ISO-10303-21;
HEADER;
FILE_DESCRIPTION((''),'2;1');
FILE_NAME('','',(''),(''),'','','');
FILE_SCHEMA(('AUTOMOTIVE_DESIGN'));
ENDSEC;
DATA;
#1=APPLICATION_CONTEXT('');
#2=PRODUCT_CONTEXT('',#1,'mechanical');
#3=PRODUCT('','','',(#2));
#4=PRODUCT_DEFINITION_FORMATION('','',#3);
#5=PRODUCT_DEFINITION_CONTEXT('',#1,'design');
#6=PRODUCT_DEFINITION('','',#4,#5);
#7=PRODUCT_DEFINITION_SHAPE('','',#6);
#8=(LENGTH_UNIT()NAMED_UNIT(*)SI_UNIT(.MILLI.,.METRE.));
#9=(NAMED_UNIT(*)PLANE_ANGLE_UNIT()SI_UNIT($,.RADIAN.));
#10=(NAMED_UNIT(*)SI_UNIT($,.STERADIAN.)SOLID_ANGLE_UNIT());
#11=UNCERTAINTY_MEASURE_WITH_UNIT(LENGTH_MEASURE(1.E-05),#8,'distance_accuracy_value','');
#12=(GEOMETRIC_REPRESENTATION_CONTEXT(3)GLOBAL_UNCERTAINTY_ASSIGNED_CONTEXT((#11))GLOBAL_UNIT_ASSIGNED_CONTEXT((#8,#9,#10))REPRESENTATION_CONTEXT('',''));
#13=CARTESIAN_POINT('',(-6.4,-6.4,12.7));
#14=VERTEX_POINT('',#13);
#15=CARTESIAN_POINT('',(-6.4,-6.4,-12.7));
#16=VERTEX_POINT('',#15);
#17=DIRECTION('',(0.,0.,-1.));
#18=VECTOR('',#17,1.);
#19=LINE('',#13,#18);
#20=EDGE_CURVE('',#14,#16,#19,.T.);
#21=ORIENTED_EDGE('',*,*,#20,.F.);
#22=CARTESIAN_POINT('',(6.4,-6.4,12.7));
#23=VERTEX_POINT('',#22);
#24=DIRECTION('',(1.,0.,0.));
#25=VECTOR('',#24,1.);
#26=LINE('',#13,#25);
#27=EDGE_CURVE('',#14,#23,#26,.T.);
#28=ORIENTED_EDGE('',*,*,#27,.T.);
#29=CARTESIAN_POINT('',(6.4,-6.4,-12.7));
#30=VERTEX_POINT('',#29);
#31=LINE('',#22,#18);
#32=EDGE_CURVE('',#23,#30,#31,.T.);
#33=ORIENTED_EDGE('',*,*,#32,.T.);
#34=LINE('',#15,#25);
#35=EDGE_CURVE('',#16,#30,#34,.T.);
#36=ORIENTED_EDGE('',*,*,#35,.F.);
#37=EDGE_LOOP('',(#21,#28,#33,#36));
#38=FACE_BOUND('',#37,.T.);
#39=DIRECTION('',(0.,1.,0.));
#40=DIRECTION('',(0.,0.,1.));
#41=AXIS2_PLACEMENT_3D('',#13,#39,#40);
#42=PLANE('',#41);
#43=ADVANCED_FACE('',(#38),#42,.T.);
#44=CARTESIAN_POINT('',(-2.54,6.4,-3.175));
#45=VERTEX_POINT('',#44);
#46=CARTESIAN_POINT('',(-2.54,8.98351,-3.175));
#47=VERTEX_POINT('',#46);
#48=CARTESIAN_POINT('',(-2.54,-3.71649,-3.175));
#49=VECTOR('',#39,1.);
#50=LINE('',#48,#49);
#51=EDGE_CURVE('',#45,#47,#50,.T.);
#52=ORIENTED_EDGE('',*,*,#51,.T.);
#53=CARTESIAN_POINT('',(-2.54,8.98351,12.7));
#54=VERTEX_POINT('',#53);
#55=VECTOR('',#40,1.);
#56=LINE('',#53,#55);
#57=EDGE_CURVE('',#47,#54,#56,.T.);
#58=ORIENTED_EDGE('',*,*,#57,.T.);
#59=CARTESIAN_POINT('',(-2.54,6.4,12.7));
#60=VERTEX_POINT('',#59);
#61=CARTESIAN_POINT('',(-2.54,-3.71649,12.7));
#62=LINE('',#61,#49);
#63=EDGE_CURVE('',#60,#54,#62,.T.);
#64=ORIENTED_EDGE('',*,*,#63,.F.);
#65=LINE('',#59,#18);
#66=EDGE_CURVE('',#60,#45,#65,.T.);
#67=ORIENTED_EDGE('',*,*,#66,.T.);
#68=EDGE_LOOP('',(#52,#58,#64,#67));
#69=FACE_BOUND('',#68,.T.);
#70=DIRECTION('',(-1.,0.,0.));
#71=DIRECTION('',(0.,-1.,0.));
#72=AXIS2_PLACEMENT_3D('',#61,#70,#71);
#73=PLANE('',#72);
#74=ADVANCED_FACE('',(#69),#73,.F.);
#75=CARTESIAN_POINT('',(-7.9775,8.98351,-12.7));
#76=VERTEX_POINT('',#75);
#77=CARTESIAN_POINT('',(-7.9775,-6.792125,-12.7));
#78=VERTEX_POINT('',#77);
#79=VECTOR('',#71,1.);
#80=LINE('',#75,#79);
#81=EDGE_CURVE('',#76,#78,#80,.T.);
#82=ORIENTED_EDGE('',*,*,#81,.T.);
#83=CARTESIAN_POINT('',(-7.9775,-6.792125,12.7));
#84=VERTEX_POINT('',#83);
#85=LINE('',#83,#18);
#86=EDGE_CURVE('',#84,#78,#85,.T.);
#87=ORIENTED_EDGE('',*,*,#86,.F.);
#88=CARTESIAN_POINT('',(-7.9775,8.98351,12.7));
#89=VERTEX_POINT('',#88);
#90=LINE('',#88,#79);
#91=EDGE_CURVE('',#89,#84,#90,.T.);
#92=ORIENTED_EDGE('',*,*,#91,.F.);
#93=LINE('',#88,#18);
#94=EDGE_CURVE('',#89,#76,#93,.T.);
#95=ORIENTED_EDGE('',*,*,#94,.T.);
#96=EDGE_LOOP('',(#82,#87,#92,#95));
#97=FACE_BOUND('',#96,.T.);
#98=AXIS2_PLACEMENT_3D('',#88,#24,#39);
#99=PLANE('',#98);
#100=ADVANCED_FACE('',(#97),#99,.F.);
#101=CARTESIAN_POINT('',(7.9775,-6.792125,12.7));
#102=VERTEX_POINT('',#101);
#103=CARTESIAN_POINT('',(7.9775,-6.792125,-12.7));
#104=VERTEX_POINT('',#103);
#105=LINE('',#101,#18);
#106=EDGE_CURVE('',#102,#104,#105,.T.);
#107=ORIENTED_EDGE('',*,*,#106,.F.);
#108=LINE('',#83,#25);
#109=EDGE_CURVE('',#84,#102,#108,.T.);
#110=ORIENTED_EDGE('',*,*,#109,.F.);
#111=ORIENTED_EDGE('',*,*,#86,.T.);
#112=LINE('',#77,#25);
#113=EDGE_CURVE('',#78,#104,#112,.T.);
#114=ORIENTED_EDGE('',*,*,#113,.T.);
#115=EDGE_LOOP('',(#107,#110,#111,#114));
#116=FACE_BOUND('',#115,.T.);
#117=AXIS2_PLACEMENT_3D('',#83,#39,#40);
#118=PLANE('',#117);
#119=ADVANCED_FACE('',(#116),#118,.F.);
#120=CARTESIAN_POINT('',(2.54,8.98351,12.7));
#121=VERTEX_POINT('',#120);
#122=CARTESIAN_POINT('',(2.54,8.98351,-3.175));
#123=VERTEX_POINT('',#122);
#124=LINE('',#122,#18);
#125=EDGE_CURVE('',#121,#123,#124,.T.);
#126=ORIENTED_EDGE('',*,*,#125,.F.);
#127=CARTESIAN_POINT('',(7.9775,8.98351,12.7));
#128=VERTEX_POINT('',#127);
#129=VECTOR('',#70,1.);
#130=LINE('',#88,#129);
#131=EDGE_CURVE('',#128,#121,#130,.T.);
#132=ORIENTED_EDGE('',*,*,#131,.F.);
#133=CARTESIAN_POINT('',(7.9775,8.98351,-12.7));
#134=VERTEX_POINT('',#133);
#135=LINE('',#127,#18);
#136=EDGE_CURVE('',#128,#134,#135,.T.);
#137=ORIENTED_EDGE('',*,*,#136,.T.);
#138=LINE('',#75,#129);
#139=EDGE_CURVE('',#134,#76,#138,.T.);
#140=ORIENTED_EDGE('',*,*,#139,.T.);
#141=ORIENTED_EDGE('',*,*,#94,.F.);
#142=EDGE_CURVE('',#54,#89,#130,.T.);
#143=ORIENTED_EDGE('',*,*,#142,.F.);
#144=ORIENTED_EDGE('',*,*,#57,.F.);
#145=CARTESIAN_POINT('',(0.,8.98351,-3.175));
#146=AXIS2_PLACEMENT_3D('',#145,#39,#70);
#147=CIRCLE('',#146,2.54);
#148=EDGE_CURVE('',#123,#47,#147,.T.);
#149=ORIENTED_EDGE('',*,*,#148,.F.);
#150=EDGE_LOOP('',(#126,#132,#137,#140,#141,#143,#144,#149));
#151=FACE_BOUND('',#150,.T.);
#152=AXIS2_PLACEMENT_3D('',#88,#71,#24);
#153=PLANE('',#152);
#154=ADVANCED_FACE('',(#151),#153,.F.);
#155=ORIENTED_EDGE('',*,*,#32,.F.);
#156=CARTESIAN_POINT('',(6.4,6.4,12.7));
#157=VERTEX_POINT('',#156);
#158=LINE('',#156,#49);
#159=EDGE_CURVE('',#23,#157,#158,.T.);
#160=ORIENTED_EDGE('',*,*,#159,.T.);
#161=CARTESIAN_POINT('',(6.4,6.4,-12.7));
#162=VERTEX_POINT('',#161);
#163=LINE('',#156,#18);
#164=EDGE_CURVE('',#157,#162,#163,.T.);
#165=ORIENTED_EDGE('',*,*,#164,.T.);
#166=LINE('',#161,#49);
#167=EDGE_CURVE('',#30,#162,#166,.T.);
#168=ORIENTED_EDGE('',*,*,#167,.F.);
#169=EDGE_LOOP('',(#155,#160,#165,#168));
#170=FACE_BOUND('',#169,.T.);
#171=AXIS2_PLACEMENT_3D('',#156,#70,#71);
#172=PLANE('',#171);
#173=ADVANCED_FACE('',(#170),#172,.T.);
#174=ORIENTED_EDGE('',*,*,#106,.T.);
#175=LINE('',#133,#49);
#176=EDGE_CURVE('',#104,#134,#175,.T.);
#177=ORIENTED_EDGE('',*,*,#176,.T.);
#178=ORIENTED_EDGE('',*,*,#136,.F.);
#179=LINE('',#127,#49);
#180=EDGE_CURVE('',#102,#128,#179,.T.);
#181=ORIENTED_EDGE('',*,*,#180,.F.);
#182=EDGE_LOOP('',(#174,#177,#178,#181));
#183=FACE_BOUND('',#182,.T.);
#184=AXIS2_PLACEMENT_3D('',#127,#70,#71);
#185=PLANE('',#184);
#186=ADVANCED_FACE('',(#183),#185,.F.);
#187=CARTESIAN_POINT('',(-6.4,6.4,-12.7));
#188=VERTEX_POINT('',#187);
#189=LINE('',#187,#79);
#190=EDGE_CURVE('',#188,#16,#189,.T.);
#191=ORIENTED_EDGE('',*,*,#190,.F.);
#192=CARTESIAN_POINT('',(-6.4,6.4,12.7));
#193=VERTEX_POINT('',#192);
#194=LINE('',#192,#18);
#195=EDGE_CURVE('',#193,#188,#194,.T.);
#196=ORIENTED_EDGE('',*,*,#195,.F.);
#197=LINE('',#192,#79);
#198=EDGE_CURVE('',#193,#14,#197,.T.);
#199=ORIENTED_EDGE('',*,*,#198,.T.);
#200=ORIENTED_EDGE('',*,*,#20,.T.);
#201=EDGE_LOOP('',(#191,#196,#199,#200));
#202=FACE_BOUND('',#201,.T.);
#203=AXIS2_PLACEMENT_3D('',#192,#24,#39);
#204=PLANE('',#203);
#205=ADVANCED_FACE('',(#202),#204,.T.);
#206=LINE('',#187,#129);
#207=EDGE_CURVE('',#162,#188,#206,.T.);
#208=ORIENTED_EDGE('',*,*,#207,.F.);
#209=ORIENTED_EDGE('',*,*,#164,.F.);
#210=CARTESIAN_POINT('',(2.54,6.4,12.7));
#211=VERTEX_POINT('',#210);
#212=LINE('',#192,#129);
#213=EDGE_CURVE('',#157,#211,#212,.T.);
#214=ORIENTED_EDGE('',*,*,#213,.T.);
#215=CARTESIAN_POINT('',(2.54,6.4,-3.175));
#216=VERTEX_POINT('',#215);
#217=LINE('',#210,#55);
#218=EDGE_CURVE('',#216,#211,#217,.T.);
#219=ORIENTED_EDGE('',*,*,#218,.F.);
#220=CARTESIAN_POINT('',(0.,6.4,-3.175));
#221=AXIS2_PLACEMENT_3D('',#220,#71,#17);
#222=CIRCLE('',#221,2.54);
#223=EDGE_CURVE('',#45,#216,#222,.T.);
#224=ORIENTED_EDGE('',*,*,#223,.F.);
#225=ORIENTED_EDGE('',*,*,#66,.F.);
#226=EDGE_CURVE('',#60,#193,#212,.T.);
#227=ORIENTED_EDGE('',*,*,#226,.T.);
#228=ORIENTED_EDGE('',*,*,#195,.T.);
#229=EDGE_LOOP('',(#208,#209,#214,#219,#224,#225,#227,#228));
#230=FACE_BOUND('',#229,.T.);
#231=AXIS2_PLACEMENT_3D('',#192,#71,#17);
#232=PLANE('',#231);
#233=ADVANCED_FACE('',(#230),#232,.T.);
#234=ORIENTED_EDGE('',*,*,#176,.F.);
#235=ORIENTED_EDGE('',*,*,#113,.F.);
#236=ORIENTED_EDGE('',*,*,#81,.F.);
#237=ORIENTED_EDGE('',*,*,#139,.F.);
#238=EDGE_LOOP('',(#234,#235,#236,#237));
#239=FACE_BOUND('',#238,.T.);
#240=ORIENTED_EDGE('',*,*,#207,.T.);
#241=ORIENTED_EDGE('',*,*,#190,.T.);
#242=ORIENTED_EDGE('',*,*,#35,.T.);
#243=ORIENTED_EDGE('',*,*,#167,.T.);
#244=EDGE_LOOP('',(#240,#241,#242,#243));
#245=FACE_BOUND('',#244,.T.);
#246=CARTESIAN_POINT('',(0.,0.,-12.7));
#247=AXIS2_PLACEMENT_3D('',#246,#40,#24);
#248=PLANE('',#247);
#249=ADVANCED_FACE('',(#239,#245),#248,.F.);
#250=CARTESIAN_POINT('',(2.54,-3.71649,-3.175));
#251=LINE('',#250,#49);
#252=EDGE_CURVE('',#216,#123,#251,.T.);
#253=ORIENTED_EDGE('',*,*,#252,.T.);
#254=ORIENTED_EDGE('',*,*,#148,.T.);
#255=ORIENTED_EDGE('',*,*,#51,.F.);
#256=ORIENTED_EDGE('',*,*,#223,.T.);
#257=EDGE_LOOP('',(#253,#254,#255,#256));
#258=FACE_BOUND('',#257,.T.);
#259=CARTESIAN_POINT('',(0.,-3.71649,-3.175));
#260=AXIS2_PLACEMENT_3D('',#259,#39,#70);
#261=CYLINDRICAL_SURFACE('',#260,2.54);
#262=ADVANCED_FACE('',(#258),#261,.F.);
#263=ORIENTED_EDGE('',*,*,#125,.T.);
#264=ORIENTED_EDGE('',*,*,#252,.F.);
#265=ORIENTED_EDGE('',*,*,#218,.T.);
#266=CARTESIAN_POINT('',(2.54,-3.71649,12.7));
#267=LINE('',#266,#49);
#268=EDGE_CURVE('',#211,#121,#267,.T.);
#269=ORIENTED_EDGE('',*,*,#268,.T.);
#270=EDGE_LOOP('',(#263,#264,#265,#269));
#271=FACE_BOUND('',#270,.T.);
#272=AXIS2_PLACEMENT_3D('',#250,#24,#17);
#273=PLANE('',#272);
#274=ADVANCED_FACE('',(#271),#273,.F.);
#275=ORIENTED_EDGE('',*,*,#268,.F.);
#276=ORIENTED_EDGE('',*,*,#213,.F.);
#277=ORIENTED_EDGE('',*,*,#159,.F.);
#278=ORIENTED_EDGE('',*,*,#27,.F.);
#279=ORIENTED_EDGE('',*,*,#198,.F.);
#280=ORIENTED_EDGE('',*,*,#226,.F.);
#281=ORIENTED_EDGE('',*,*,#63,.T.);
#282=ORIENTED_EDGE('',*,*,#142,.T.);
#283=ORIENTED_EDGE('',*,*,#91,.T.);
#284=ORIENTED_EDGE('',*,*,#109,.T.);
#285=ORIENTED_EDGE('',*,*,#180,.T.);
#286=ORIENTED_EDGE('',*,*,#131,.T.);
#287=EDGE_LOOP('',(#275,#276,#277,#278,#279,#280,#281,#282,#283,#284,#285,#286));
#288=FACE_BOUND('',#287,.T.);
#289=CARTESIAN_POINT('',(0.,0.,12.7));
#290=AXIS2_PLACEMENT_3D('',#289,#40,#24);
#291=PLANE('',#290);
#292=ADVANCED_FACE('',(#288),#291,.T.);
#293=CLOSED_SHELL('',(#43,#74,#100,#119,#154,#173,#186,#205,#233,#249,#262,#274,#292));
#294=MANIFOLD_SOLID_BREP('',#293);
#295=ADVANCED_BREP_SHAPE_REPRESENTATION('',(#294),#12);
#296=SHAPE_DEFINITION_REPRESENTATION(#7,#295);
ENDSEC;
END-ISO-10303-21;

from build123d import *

# Parameters (mm, degrees)
SKETCH1_W           = 15.95500004
SKETCH1_H           = 15.775635
SKETCH1_W_2         = 12.8
SKETCH1_H_2         = 12.8
BOSS_EXTRUDE1_DEPTH = 12.7
CUT_EXTRUDE1_DEPTH  = 12.7


with BuildPart() as part:
    # Sketch1 → Boss-Extrude1 (new body, symmetric)
    with BuildSketch(Plane.XY):
        with Locations((0, 1.0956925)):
            Rectangle(SKETCH1_W, SKETCH1_H)
        Rectangle(SKETCH1_W_2, SKETCH1_H_2, mode=Mode.SUBTRACT)
    extrude(amount=BOSS_EXTRUDE1_DEPTH, both=True)

    # Sketch2 → Cut-Extrude1 (cut)
    with BuildSketch(Plane(origin=(0, 8.98351, 0), x_dir=(1, 0, 0), z_dir=(0, 1, 0))):
        with BuildLine():
            Line((2.54, 3.175), (2.54, -12.7))
            Line((2.54, -12.7), (-2.54, -12.7))
            Line((-2.54, -12.7), (-2.54, 3.175))
            ThreePointArc((-2.54, 3.175), (0, 5.715), (2.54, 3.175))
        make_face()
    extrude(amount=-CUT_EXTRUDE1_DEPTH, mode=Mode.SUBTRACT)


solid = part.part
